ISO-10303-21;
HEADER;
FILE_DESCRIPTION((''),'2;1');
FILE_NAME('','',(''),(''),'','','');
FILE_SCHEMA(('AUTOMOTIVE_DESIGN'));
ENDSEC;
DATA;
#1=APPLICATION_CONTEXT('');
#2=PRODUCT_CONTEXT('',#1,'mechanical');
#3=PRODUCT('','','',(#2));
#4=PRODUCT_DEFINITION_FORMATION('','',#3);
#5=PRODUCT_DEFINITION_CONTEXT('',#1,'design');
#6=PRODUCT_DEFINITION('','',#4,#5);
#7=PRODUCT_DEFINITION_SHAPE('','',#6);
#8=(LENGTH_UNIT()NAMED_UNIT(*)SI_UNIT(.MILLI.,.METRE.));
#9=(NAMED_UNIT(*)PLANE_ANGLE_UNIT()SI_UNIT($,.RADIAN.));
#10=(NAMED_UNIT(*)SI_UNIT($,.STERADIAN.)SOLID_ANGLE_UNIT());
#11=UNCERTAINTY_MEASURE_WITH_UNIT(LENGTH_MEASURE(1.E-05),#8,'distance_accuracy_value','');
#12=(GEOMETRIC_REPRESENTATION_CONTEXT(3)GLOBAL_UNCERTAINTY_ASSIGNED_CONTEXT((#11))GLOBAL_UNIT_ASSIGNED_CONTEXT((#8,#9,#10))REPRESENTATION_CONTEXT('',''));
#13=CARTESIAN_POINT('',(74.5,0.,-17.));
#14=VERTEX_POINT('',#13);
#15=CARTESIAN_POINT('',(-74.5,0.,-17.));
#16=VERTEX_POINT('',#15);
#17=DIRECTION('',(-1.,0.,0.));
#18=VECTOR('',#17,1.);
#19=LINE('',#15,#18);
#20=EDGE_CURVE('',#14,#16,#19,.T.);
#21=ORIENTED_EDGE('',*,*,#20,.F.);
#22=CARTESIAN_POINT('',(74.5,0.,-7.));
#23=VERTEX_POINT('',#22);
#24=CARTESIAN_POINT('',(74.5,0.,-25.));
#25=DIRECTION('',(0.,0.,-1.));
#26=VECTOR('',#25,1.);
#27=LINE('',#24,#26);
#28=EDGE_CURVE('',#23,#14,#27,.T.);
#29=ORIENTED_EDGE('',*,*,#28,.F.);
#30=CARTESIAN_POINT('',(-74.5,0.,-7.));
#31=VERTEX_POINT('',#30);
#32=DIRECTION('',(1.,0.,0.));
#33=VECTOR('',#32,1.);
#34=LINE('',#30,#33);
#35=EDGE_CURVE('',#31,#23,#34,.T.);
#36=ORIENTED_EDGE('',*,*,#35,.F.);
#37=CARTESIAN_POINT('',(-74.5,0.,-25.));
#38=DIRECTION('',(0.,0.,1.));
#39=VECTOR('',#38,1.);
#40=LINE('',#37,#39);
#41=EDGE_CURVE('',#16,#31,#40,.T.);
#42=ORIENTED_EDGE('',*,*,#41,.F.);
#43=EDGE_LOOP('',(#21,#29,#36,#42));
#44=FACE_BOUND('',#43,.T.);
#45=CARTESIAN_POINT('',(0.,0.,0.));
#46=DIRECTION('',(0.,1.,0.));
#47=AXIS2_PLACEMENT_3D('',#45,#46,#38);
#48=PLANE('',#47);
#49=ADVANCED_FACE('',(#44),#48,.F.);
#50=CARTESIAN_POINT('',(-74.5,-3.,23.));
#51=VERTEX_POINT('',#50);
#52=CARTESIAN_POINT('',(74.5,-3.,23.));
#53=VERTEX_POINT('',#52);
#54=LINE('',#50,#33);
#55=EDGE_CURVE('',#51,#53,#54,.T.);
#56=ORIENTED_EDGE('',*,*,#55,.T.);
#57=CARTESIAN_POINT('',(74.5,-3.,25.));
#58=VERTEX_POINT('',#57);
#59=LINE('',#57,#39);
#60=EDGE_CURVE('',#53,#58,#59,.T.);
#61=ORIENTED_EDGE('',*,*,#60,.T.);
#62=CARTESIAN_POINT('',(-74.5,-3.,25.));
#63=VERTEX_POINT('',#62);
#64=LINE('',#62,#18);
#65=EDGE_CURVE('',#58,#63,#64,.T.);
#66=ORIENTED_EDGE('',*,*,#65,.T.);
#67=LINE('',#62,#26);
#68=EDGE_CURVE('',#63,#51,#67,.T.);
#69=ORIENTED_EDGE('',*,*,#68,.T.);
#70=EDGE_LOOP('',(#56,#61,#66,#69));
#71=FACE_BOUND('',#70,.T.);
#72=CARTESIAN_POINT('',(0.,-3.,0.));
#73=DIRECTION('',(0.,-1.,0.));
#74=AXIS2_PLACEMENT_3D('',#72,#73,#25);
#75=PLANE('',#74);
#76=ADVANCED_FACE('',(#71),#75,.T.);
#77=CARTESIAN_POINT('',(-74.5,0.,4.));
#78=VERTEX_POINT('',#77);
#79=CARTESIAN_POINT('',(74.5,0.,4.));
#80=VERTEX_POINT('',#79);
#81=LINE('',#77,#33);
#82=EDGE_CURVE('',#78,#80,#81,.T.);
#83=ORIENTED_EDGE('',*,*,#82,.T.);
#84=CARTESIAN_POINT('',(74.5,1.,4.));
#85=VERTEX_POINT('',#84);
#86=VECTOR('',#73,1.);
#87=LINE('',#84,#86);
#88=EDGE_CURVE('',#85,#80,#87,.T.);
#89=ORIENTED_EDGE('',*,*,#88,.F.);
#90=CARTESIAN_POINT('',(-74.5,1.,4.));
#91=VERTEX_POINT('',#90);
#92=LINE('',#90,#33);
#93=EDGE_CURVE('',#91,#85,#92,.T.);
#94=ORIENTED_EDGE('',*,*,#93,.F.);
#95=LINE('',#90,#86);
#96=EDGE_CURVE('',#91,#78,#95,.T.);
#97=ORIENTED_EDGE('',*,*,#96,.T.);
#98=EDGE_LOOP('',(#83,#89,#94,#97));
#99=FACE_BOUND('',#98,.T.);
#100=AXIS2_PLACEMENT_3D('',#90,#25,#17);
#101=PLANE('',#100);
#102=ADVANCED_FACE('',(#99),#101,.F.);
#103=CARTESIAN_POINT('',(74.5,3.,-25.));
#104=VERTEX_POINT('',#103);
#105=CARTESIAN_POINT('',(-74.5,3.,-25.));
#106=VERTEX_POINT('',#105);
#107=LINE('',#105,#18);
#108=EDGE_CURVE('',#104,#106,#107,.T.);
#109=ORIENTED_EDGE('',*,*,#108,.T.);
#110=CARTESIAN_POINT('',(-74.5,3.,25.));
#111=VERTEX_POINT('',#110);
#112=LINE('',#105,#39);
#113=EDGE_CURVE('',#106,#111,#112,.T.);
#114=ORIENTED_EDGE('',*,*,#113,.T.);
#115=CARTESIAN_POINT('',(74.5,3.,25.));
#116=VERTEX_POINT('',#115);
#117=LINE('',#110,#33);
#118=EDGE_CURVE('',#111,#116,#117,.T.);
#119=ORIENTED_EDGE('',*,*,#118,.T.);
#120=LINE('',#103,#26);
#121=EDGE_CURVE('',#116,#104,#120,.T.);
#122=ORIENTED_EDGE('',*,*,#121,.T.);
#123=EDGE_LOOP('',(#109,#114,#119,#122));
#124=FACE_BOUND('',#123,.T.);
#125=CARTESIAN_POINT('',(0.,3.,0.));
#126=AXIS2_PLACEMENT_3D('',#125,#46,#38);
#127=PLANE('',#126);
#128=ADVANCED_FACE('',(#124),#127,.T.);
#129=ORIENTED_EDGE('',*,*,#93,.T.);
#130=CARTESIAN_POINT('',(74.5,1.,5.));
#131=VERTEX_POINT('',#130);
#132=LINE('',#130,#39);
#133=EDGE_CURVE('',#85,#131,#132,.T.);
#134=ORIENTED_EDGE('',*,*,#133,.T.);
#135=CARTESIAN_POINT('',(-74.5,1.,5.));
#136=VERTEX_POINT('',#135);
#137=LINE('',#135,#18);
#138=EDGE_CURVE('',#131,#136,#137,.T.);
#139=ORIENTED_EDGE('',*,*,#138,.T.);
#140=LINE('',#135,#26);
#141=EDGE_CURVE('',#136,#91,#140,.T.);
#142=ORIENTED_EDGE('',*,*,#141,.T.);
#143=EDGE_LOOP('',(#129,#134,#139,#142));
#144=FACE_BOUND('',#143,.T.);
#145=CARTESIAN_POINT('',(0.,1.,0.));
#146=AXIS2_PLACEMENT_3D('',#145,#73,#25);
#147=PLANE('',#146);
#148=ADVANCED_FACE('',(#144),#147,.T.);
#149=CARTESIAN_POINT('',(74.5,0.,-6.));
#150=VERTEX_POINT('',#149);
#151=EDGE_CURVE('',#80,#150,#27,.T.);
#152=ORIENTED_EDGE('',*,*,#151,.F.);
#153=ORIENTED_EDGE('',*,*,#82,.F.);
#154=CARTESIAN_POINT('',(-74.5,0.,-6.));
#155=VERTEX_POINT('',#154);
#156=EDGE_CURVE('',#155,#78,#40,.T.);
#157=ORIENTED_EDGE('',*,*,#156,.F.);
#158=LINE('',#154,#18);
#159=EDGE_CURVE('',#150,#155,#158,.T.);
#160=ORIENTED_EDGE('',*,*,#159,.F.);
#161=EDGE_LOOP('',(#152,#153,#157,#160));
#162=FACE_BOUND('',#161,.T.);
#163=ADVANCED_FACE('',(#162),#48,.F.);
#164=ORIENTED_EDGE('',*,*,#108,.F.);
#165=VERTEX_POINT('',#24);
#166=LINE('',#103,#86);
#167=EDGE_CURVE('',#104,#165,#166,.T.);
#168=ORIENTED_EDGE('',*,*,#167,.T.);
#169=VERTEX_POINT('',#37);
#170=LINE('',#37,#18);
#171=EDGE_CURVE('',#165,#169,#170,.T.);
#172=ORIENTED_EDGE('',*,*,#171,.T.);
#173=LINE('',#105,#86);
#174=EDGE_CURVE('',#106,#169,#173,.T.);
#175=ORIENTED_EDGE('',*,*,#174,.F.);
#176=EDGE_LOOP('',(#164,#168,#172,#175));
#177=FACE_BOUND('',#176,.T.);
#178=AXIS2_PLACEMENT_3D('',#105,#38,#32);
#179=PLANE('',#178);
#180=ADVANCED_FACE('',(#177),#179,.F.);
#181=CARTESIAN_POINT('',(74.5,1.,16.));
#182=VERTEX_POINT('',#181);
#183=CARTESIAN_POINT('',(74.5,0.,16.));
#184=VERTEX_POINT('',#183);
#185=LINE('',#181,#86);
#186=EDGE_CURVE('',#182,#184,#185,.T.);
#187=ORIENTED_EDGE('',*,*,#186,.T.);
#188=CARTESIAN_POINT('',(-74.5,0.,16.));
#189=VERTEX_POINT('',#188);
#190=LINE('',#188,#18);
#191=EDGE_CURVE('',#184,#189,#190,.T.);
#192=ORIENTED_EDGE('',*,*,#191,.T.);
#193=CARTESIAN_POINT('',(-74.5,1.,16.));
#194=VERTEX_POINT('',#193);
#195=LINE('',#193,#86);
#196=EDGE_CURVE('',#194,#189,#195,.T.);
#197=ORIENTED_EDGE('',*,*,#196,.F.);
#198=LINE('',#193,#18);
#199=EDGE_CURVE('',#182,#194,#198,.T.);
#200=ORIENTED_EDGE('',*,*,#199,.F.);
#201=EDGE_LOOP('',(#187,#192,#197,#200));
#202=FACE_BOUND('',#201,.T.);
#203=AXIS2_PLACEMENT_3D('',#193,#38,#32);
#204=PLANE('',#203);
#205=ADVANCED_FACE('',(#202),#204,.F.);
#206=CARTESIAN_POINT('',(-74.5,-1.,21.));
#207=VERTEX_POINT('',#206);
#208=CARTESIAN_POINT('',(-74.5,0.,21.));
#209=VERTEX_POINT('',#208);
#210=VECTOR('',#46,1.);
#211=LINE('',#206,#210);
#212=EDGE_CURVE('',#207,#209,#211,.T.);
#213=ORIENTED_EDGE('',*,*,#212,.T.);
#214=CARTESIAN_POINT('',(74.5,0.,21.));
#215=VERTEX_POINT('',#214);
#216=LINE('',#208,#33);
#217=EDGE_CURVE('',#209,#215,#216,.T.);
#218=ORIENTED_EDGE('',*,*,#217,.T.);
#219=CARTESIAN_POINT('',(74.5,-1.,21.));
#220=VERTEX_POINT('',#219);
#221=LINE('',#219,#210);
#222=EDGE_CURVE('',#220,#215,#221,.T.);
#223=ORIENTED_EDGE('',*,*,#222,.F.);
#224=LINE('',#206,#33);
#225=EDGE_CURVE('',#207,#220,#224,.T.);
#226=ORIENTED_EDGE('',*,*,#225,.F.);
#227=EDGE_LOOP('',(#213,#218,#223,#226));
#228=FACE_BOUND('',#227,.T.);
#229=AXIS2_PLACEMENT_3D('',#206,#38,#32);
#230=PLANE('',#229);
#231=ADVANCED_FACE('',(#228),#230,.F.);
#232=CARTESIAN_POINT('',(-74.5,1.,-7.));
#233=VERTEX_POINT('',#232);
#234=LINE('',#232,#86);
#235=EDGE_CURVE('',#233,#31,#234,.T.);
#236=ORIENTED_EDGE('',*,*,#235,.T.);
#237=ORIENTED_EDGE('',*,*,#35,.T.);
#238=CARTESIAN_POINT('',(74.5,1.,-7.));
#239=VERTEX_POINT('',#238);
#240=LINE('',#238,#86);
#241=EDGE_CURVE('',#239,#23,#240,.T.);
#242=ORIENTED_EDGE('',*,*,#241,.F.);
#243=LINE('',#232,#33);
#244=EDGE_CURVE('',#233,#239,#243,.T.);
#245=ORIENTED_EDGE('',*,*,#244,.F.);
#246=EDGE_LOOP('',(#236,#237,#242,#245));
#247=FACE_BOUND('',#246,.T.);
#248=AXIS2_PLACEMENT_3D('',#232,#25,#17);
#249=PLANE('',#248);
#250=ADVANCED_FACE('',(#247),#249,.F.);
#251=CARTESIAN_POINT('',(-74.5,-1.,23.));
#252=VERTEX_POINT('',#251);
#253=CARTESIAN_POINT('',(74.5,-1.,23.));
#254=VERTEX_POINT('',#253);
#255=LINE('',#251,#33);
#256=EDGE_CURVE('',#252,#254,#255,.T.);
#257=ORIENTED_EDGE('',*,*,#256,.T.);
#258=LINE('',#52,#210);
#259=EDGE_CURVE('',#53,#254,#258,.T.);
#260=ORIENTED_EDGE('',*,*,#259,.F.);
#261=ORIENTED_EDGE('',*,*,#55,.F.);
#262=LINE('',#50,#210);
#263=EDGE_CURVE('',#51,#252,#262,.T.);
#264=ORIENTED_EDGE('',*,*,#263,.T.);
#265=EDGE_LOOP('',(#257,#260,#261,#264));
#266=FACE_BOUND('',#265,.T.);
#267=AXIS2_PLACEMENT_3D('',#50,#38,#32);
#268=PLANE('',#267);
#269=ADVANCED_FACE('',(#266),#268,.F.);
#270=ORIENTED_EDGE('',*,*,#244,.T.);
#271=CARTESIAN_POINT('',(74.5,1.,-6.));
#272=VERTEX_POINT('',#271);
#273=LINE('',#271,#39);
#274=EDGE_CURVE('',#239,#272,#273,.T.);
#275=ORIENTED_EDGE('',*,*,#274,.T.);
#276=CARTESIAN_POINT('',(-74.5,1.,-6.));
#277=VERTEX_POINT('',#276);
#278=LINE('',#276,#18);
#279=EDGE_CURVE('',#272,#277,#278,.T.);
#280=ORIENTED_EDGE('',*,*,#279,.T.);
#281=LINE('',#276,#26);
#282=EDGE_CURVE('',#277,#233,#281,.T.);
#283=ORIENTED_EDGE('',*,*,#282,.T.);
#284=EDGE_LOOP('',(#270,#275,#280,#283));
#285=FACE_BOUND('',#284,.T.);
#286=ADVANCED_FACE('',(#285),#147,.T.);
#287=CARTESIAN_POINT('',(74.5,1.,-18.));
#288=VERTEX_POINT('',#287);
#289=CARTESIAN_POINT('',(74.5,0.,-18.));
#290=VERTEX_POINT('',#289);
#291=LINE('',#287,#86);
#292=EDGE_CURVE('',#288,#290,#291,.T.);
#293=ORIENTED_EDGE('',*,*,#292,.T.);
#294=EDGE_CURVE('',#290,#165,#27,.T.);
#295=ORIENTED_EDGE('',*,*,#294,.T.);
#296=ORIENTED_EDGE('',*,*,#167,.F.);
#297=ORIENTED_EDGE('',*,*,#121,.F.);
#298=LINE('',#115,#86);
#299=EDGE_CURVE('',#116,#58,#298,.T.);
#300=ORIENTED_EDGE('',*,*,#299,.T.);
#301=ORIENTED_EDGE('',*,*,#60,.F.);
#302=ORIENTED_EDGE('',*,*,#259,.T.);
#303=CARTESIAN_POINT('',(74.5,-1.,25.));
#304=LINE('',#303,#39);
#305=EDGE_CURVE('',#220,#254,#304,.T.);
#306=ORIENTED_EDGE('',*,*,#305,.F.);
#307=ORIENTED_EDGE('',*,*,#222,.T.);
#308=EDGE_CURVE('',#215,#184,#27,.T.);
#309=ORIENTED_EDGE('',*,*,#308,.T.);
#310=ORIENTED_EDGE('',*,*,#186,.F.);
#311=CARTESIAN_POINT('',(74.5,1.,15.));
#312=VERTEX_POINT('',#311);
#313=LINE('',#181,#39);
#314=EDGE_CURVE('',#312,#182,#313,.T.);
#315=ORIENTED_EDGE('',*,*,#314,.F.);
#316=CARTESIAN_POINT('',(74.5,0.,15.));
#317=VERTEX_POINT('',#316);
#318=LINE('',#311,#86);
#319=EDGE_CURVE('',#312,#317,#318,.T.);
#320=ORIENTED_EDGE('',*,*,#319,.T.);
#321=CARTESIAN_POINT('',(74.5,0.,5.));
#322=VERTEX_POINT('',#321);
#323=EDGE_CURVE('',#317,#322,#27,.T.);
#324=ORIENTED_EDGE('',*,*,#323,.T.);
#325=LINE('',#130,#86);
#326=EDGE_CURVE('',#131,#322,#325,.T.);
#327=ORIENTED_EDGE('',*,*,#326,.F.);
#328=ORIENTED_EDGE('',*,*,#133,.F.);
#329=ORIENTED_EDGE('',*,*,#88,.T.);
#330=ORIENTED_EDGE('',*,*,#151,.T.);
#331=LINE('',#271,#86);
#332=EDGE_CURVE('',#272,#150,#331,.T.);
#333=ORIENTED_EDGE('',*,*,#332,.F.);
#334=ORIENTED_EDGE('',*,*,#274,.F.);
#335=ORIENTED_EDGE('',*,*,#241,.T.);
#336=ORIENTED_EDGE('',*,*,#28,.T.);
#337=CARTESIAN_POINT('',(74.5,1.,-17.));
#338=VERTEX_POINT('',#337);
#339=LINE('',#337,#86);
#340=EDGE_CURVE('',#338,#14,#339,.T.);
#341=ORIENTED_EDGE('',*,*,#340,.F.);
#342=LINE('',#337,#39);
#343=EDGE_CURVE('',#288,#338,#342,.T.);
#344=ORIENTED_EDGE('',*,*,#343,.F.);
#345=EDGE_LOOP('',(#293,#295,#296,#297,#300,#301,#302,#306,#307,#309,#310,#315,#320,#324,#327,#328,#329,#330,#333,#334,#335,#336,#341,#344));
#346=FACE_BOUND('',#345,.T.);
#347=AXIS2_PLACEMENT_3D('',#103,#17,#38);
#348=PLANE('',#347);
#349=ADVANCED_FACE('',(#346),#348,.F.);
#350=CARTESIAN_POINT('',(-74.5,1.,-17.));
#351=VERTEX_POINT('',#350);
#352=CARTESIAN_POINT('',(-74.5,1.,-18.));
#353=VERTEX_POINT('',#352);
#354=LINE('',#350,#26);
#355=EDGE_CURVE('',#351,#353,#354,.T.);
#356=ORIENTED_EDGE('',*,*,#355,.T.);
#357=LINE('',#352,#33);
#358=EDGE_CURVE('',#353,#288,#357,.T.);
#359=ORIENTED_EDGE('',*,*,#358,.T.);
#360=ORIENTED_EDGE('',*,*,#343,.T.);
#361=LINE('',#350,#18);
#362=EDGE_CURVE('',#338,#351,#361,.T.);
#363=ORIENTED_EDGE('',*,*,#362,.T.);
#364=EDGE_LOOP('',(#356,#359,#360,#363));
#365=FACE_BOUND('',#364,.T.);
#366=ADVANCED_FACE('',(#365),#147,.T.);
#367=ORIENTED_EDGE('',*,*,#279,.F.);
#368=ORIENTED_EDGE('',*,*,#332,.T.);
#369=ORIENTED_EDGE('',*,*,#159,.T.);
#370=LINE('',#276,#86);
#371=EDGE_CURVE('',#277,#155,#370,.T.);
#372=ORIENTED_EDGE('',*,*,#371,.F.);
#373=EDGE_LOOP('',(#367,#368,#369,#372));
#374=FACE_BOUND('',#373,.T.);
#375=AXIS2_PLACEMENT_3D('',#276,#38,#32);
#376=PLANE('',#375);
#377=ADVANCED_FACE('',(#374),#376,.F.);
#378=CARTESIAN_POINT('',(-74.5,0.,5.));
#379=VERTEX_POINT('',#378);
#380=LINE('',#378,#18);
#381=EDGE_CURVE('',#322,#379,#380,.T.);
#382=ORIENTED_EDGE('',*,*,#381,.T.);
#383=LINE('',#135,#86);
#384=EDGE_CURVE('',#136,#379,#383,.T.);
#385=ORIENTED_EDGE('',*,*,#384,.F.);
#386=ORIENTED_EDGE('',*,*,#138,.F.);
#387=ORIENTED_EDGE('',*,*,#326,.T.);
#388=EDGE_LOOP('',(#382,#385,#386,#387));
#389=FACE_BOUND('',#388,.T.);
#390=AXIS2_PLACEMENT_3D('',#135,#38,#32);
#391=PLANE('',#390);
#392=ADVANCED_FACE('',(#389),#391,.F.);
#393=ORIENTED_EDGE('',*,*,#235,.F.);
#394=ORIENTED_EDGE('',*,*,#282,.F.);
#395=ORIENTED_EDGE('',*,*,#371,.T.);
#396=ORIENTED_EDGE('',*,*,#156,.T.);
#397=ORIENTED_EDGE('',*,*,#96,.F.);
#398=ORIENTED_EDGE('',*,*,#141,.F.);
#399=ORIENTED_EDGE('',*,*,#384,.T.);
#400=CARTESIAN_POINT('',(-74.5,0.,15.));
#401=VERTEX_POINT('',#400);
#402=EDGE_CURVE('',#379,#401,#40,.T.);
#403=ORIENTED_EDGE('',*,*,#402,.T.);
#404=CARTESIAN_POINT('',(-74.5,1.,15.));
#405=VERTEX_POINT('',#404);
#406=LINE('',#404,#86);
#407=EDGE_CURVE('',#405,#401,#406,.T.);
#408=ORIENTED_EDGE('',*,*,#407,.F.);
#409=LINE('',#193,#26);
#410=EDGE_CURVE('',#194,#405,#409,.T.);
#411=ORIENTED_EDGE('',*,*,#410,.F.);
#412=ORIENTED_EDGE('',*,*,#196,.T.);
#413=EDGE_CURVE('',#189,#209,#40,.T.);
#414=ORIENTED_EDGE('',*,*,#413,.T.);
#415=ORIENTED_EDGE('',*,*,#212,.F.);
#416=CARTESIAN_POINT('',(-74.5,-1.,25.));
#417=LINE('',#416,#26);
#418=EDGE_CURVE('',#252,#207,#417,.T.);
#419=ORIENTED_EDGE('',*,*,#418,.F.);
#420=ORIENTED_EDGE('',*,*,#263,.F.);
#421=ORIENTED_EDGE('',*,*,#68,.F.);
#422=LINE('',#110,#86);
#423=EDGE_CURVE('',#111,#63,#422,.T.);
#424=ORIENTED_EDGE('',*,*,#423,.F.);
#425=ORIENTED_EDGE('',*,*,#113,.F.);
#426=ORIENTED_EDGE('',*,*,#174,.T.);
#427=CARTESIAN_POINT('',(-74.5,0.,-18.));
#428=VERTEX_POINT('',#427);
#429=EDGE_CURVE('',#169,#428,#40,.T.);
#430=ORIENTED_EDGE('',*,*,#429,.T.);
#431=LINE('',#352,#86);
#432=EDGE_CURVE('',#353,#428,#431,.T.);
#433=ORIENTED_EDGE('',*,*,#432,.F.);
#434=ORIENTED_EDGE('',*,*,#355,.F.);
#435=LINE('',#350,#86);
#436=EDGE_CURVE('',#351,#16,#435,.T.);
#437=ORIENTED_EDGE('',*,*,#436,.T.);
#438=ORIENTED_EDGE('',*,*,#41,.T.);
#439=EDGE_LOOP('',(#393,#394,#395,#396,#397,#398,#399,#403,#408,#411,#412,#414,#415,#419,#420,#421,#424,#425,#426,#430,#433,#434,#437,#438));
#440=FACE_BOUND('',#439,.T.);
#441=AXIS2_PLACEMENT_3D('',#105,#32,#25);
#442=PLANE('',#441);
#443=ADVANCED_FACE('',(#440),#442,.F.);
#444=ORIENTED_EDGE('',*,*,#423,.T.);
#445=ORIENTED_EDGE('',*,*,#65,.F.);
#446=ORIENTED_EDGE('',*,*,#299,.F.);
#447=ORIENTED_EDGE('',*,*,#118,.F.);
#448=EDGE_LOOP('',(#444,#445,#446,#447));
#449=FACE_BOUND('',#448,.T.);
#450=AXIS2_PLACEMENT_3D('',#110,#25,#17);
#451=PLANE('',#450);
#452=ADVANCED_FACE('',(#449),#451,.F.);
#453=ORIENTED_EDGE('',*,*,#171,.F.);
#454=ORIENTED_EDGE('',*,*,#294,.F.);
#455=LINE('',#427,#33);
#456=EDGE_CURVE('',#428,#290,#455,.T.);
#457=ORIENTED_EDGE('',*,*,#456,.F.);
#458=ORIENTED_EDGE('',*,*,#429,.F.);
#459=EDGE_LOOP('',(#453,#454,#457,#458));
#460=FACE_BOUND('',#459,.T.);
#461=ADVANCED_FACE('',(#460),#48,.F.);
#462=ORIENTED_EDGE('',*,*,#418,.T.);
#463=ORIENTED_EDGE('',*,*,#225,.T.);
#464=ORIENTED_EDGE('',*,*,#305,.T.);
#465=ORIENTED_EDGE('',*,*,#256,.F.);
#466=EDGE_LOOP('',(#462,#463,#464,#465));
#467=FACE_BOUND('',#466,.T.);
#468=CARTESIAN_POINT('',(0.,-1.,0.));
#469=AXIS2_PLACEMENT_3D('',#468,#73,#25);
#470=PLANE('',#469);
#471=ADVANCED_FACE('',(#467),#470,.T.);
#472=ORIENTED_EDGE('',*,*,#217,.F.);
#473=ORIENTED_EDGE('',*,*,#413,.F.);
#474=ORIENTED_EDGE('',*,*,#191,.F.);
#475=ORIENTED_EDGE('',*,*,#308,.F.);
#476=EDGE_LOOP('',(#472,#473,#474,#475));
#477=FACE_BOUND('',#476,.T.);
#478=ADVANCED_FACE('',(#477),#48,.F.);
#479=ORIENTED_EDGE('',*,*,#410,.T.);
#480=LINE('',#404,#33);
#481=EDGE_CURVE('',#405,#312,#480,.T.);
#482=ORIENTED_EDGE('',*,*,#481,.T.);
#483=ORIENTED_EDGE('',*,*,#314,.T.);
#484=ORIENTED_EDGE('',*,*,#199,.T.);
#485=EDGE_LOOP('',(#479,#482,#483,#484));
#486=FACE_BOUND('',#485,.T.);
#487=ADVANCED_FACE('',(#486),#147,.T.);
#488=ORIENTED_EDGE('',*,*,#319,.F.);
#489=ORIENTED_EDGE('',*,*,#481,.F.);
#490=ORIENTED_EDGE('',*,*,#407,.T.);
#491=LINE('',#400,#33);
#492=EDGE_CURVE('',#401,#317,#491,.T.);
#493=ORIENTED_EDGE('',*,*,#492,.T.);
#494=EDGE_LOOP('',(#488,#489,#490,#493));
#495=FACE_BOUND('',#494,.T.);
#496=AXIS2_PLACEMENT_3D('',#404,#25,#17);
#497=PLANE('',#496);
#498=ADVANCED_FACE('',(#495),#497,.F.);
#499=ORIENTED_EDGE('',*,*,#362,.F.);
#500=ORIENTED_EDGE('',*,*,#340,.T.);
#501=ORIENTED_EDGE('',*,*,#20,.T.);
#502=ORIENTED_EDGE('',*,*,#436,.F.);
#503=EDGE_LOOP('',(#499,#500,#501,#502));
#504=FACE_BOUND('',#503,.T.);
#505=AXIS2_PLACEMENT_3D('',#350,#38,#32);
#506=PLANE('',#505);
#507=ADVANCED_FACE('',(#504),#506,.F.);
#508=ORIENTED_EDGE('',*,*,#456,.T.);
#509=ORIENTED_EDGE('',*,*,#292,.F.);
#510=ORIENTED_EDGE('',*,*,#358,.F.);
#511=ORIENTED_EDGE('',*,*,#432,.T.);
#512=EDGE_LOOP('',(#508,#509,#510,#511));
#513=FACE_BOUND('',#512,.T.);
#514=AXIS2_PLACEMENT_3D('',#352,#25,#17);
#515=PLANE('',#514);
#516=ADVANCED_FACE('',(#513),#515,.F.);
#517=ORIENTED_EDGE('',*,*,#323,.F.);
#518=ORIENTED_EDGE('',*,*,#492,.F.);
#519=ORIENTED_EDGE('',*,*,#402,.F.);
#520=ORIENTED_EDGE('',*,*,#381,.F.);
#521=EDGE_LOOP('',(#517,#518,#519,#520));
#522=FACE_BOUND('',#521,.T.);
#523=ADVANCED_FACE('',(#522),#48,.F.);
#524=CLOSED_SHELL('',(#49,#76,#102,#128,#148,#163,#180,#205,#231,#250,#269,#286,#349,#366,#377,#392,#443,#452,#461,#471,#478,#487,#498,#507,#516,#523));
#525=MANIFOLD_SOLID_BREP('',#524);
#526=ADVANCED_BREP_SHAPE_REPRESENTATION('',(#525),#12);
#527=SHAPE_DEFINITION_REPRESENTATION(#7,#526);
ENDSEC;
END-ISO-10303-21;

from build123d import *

# Parameters (mm, degrees)
SKETCH1_W           = 149
SKETCH1_H           = 50
BOSS_EXTRUDE1_DEPTH = 3
SKETCH2_W           = 149
SKETCH2_H           = 1
CUT_EXTRUDE1_DEPTH  = 1
SKETCH3_W           = 149
SKETCH3_H           = 4
BOSS_EXTRUDE2_DEPTH = 1
SKETCH4_W           = 149
SKETCH4_H           = 2
BOSS_EXTRUDE3_DEPTH = 2


with BuildPart() as part:
    # Sketch1 → Boss-Extrude1 (new body)
    with BuildSketch(Plane(origin=(0, 0, 0), x_dir=(1, 0, 0), z_dir=(0, 1, 0))):
        Rectangle(SKETCH1_W, SKETCH1_H)
    extrude(amount=BOSS_EXTRUDE1_DEPTH)

    # Sketch2 → Cut-Extrude1 (cut)
    with BuildSketch(Plane.XZ):
        with Locations((0, -17.5)):
            Rectangle(SKETCH2_W, SKETCH2_H)
        with Locations((0, -6.5)):
            Rectangle(SKETCH2_W, SKETCH2_H)
        with Locations((0, 4.5)):
            Rectangle(SKETCH2_W, SKETCH2_H)
        with Locations((0, 15.5)):
            Rectangle(SKETCH2_W, SKETCH2_H)
    extrude(amount=-CUT_EXTRUDE1_DEPTH, mode=Mode.SUBTRACT)

    # Sketch3 → Boss-Extrude2 (add)
    with BuildSketch(Plane.XZ):
        with Locations((0, 23)):
            Rectangle(SKETCH3_W, SKETCH3_H)
    extrude(amount=BOSS_EXTRUDE2_DEPTH)

    # Sketch4 → Boss-Extrude3 (add)
    with BuildSketch(Plane.XZ.offset(1)):
        with Locations((0, 24)):
            Rectangle(SKETCH4_W, SKETCH4_H)
    extrude(amount=BOSS_EXTRUDE3_DEPTH)


solid = part.part
